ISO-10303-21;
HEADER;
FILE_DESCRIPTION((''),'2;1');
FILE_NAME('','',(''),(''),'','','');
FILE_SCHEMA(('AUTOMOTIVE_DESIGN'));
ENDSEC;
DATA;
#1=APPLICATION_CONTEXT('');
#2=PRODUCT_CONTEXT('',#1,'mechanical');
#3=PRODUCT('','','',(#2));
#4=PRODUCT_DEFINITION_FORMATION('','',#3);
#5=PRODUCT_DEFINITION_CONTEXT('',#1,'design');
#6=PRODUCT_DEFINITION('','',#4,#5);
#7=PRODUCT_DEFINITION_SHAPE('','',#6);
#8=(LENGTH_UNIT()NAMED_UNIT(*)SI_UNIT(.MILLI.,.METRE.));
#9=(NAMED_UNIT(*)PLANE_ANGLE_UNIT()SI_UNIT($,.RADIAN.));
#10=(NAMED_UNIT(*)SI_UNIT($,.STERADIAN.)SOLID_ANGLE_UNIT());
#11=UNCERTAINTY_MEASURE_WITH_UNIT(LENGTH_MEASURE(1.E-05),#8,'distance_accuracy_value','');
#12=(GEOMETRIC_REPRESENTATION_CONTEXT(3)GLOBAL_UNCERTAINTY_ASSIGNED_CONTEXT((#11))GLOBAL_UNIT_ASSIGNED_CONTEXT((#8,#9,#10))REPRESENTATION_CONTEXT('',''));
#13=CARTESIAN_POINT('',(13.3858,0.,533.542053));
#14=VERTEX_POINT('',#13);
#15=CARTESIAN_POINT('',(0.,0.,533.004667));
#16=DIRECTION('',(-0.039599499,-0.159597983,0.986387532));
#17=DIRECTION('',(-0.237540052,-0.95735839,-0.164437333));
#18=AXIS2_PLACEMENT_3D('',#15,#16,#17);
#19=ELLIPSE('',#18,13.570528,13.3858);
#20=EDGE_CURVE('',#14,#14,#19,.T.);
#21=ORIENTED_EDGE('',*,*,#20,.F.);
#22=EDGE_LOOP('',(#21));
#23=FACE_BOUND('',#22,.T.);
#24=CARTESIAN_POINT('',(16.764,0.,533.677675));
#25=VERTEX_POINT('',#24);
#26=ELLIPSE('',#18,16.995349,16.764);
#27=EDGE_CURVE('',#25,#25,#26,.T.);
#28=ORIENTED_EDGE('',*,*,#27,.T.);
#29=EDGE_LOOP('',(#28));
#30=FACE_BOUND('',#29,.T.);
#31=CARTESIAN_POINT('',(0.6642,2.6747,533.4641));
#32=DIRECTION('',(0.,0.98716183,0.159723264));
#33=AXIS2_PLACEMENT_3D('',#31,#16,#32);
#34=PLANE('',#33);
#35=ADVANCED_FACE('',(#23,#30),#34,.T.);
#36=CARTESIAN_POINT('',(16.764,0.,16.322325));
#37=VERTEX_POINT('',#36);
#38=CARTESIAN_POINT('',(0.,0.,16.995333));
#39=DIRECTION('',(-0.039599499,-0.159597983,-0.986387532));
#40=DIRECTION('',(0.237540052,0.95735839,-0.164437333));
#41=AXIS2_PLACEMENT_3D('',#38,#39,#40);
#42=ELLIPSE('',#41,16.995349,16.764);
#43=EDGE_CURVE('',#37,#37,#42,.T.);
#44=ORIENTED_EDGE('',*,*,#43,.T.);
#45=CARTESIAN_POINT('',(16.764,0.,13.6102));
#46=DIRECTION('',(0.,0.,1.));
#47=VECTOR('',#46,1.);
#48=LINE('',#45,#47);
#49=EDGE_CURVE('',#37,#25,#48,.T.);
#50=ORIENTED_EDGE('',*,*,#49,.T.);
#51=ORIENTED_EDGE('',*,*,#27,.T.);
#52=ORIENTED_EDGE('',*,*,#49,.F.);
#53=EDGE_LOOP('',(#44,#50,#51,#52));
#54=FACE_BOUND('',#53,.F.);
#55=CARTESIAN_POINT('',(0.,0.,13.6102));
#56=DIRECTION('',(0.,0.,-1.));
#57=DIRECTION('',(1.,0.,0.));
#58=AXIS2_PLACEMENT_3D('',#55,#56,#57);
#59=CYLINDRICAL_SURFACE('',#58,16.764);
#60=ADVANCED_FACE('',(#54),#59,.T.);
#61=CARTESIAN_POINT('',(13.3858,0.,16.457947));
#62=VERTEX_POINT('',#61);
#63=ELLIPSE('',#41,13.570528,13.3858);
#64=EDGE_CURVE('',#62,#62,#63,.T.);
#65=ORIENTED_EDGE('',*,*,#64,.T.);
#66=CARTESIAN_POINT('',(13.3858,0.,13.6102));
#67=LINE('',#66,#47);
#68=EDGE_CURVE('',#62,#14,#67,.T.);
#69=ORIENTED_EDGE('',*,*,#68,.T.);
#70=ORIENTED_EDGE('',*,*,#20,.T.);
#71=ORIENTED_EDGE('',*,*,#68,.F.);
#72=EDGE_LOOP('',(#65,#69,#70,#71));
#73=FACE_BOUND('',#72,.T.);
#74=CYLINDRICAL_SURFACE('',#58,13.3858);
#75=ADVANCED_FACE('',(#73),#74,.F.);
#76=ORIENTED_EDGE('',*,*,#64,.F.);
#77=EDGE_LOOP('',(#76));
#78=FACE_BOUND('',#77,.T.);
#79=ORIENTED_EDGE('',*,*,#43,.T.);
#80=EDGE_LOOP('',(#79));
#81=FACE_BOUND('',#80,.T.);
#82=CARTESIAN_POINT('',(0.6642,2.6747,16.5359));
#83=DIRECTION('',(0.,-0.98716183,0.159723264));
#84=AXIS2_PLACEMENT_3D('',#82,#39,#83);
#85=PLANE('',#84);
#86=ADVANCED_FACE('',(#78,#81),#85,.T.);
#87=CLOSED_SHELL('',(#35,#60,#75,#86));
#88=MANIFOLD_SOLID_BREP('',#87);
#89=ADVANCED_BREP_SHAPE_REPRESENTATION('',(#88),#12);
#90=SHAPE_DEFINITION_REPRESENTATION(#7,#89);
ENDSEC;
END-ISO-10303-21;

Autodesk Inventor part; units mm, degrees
ref_plane "Start plane" through (0, 0, 13.6102) normal (0, 0, 1) x (1, 0, 0)
ref_plane "End plane" through (0, 0, 536.3898) normal (0, 0, 1) x (1, 0, 0)
sketch "Sketch" plane through (0, 0, 0) normal (0, 0, 1) x (1, 0, 0)
  circle A0 centre (0, 0) radius 13.3858
  circle A1 centre (0, 0) radius 16.764
  dimension "d0" = 33.528
  dimension "d1" = 3.3782
extrude "Body" add sketch "Sketch" along normal up to surface (522.7796 mm away) from surface at 13.6102
sketch "Sketch3" plane through (0, 0, 0) normal (0, 0, 1) x (1, 0, 0)
  line L0 (0, 0) -> (10, 0)
ref_plane "Work Plane3" through (0, 0, 0) normal (0, -1, 0) x (1, 0, 0)
ref_plane "Work Plane4" through (0.6642, 2.6747, 533.4641) normal (-0.0396, -0.1596, 0.9864) x (0.9992, -0.0032, 0.0396)
split "Split1" plane through (0.6642, 2.6747, 533.4641) removes the side toward (-0.0396, -0.1596, 0.9864)
ref_plane "Work Plane5" through (0.6642, 2.6747, 16.5359) normal (-0.0396, -0.1596, -0.9864) x (0.8846, -0.4646, 0.0396)
split "Split2" plane through (0.6642, 2.6747, 16.5359) removes the side toward (-0.0396, -0.1596, -0.9864)
sketch "Sketch4" plane through (0, 0, 0) normal (0, -1, 0) x (1, 0, 0)
  line L0 (-2, 13.6102) -> (12, 13.6102) projected
  line L1 (-2, 536.3898) -> (12, 536.3898) projected
  dimension "d7" = 522.7796
equation "\"d0\" = G_H"
equation "\"d1\" = G_T"
equation "\"d2\" = G_L"
equation "\"G_H\" = 33.528"
equation "\"G_T\" = 3.3782"
equation "\"G_L\" = d7"
equation "\"G_OFFSET_START\" = -13.61022"
equation "\"G_OFFSET_END\" = -13.61022"
equation "\"d4\" = -G_OFFSET_START"
equation "\"d5\" = G_OFFSET_END + B_L"
equation "\"B_L\" = 550"
properties part number "ANSI - 1 x 0.133 - 20.582" material "Steel, Mild"
